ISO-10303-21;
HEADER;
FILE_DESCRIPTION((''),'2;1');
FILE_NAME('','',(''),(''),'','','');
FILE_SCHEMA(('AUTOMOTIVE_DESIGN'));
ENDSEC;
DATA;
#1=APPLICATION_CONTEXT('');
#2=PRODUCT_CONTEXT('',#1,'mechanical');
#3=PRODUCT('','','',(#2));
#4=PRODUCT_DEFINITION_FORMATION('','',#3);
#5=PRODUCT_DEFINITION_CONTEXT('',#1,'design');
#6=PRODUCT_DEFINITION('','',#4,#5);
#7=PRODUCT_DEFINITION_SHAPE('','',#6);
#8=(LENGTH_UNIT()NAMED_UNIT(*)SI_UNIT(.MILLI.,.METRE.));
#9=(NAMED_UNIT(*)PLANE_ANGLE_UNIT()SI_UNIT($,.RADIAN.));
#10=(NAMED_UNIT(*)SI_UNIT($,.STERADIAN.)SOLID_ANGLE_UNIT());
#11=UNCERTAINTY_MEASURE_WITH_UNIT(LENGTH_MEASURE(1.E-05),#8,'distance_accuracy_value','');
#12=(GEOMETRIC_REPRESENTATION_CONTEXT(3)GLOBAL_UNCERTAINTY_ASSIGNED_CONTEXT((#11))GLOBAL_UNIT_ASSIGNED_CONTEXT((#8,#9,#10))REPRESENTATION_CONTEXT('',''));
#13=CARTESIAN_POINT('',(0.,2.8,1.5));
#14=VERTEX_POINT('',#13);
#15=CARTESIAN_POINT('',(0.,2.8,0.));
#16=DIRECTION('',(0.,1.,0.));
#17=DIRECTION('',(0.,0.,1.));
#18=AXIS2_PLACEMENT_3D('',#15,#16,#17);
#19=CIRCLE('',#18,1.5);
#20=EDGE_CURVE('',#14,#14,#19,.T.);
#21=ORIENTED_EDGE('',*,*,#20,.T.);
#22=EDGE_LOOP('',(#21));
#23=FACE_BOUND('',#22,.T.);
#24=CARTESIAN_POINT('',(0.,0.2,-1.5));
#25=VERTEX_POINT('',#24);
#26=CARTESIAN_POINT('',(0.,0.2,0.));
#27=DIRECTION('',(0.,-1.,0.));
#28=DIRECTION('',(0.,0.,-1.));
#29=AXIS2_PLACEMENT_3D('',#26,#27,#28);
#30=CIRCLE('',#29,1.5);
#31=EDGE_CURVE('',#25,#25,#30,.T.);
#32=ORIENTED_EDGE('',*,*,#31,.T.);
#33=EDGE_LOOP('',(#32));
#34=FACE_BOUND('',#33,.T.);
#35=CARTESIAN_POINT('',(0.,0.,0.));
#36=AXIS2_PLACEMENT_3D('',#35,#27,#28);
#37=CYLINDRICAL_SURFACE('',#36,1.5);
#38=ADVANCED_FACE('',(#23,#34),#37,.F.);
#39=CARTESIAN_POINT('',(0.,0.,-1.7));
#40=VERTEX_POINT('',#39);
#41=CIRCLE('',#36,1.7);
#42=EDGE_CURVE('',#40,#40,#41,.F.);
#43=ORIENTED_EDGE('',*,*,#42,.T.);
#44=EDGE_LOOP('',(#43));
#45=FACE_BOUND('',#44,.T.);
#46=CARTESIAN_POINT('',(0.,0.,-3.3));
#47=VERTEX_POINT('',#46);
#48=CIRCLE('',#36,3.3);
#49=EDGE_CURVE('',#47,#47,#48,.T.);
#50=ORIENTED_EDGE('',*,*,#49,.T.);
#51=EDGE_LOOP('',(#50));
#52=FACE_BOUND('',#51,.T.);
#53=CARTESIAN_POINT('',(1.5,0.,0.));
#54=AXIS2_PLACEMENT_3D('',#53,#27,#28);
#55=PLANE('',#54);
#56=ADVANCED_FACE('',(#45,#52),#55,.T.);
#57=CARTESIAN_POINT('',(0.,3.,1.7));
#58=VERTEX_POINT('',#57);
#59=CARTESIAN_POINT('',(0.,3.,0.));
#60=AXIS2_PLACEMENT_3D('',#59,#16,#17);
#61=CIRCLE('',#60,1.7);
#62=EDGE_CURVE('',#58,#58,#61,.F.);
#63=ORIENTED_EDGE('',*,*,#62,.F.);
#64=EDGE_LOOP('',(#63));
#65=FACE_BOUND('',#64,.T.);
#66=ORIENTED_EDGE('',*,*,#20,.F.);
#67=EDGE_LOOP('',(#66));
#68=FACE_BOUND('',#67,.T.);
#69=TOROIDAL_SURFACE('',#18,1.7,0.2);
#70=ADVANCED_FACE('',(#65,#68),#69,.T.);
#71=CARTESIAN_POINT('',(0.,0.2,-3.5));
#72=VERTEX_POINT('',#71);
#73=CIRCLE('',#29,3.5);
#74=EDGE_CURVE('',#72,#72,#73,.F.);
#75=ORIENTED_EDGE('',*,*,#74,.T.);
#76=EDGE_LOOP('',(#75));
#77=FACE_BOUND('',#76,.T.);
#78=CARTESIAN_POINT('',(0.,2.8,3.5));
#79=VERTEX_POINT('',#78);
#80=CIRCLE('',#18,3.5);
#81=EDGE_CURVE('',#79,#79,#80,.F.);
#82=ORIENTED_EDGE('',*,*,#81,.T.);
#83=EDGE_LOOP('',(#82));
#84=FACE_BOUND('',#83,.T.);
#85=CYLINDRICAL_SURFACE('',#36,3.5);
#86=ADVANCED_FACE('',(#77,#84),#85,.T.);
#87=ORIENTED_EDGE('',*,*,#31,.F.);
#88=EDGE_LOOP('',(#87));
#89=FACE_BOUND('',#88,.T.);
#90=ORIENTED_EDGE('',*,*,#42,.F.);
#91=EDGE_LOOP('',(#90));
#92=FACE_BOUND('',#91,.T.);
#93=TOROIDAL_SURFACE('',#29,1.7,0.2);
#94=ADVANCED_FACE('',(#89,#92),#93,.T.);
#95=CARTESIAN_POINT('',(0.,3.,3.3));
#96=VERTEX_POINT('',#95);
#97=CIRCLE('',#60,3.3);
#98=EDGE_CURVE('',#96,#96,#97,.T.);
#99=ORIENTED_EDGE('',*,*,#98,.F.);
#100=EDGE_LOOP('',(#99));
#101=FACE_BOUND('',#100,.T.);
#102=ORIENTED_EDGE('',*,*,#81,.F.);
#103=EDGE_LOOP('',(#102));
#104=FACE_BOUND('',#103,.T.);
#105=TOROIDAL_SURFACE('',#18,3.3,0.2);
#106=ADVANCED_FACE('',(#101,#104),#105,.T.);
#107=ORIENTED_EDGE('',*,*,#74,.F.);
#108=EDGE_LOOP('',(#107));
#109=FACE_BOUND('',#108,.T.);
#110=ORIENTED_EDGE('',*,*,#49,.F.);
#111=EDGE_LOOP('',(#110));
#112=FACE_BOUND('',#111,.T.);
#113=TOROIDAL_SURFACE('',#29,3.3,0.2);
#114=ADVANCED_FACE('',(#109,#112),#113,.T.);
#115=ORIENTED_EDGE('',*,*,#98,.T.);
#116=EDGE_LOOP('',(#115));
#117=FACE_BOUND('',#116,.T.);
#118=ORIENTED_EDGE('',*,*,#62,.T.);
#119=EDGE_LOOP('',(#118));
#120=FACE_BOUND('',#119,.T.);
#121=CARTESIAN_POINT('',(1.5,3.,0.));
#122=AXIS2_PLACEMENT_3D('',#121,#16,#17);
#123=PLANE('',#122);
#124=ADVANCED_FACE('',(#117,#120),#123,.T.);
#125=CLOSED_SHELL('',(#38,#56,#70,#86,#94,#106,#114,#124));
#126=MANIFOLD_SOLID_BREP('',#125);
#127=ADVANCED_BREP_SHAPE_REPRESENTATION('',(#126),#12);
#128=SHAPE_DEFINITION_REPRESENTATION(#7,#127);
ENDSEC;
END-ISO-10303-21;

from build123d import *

# Parameters (mm, degrees)
ESQUISSE1_W = 2
ESQUISSE1_H = 3
CONG_1_R    = 0.2


with BuildPart() as part:
    # Esquisse1 → Révolution1 (revolve)
    with BuildSketch(Plane.XY, mode=Mode.PRIVATE) as r_volution1_sk:
        with Locations((2.5, 1.5)):
            Rectangle(ESQUISSE1_W, ESQUISSE1_H)
    revolve(r_volution1_sk.sketch.rotate(Axis((0, 0, 0), (0, 1, 0)), 90), axis=Axis((0, 0, 0), (0, 1, 0)))

    # Congé1
    cong_1_edges = [part.edges().sort_by_distance(p)[0] for p in [
        (0, 0, 1.5),
        (0, 0, 3.5),
        (0, 3, 3.5),
        (0, 3, 1.5),
    ]]
    fillet(cong_1_edges, radius=CONG_1_R)


solid = part.part
